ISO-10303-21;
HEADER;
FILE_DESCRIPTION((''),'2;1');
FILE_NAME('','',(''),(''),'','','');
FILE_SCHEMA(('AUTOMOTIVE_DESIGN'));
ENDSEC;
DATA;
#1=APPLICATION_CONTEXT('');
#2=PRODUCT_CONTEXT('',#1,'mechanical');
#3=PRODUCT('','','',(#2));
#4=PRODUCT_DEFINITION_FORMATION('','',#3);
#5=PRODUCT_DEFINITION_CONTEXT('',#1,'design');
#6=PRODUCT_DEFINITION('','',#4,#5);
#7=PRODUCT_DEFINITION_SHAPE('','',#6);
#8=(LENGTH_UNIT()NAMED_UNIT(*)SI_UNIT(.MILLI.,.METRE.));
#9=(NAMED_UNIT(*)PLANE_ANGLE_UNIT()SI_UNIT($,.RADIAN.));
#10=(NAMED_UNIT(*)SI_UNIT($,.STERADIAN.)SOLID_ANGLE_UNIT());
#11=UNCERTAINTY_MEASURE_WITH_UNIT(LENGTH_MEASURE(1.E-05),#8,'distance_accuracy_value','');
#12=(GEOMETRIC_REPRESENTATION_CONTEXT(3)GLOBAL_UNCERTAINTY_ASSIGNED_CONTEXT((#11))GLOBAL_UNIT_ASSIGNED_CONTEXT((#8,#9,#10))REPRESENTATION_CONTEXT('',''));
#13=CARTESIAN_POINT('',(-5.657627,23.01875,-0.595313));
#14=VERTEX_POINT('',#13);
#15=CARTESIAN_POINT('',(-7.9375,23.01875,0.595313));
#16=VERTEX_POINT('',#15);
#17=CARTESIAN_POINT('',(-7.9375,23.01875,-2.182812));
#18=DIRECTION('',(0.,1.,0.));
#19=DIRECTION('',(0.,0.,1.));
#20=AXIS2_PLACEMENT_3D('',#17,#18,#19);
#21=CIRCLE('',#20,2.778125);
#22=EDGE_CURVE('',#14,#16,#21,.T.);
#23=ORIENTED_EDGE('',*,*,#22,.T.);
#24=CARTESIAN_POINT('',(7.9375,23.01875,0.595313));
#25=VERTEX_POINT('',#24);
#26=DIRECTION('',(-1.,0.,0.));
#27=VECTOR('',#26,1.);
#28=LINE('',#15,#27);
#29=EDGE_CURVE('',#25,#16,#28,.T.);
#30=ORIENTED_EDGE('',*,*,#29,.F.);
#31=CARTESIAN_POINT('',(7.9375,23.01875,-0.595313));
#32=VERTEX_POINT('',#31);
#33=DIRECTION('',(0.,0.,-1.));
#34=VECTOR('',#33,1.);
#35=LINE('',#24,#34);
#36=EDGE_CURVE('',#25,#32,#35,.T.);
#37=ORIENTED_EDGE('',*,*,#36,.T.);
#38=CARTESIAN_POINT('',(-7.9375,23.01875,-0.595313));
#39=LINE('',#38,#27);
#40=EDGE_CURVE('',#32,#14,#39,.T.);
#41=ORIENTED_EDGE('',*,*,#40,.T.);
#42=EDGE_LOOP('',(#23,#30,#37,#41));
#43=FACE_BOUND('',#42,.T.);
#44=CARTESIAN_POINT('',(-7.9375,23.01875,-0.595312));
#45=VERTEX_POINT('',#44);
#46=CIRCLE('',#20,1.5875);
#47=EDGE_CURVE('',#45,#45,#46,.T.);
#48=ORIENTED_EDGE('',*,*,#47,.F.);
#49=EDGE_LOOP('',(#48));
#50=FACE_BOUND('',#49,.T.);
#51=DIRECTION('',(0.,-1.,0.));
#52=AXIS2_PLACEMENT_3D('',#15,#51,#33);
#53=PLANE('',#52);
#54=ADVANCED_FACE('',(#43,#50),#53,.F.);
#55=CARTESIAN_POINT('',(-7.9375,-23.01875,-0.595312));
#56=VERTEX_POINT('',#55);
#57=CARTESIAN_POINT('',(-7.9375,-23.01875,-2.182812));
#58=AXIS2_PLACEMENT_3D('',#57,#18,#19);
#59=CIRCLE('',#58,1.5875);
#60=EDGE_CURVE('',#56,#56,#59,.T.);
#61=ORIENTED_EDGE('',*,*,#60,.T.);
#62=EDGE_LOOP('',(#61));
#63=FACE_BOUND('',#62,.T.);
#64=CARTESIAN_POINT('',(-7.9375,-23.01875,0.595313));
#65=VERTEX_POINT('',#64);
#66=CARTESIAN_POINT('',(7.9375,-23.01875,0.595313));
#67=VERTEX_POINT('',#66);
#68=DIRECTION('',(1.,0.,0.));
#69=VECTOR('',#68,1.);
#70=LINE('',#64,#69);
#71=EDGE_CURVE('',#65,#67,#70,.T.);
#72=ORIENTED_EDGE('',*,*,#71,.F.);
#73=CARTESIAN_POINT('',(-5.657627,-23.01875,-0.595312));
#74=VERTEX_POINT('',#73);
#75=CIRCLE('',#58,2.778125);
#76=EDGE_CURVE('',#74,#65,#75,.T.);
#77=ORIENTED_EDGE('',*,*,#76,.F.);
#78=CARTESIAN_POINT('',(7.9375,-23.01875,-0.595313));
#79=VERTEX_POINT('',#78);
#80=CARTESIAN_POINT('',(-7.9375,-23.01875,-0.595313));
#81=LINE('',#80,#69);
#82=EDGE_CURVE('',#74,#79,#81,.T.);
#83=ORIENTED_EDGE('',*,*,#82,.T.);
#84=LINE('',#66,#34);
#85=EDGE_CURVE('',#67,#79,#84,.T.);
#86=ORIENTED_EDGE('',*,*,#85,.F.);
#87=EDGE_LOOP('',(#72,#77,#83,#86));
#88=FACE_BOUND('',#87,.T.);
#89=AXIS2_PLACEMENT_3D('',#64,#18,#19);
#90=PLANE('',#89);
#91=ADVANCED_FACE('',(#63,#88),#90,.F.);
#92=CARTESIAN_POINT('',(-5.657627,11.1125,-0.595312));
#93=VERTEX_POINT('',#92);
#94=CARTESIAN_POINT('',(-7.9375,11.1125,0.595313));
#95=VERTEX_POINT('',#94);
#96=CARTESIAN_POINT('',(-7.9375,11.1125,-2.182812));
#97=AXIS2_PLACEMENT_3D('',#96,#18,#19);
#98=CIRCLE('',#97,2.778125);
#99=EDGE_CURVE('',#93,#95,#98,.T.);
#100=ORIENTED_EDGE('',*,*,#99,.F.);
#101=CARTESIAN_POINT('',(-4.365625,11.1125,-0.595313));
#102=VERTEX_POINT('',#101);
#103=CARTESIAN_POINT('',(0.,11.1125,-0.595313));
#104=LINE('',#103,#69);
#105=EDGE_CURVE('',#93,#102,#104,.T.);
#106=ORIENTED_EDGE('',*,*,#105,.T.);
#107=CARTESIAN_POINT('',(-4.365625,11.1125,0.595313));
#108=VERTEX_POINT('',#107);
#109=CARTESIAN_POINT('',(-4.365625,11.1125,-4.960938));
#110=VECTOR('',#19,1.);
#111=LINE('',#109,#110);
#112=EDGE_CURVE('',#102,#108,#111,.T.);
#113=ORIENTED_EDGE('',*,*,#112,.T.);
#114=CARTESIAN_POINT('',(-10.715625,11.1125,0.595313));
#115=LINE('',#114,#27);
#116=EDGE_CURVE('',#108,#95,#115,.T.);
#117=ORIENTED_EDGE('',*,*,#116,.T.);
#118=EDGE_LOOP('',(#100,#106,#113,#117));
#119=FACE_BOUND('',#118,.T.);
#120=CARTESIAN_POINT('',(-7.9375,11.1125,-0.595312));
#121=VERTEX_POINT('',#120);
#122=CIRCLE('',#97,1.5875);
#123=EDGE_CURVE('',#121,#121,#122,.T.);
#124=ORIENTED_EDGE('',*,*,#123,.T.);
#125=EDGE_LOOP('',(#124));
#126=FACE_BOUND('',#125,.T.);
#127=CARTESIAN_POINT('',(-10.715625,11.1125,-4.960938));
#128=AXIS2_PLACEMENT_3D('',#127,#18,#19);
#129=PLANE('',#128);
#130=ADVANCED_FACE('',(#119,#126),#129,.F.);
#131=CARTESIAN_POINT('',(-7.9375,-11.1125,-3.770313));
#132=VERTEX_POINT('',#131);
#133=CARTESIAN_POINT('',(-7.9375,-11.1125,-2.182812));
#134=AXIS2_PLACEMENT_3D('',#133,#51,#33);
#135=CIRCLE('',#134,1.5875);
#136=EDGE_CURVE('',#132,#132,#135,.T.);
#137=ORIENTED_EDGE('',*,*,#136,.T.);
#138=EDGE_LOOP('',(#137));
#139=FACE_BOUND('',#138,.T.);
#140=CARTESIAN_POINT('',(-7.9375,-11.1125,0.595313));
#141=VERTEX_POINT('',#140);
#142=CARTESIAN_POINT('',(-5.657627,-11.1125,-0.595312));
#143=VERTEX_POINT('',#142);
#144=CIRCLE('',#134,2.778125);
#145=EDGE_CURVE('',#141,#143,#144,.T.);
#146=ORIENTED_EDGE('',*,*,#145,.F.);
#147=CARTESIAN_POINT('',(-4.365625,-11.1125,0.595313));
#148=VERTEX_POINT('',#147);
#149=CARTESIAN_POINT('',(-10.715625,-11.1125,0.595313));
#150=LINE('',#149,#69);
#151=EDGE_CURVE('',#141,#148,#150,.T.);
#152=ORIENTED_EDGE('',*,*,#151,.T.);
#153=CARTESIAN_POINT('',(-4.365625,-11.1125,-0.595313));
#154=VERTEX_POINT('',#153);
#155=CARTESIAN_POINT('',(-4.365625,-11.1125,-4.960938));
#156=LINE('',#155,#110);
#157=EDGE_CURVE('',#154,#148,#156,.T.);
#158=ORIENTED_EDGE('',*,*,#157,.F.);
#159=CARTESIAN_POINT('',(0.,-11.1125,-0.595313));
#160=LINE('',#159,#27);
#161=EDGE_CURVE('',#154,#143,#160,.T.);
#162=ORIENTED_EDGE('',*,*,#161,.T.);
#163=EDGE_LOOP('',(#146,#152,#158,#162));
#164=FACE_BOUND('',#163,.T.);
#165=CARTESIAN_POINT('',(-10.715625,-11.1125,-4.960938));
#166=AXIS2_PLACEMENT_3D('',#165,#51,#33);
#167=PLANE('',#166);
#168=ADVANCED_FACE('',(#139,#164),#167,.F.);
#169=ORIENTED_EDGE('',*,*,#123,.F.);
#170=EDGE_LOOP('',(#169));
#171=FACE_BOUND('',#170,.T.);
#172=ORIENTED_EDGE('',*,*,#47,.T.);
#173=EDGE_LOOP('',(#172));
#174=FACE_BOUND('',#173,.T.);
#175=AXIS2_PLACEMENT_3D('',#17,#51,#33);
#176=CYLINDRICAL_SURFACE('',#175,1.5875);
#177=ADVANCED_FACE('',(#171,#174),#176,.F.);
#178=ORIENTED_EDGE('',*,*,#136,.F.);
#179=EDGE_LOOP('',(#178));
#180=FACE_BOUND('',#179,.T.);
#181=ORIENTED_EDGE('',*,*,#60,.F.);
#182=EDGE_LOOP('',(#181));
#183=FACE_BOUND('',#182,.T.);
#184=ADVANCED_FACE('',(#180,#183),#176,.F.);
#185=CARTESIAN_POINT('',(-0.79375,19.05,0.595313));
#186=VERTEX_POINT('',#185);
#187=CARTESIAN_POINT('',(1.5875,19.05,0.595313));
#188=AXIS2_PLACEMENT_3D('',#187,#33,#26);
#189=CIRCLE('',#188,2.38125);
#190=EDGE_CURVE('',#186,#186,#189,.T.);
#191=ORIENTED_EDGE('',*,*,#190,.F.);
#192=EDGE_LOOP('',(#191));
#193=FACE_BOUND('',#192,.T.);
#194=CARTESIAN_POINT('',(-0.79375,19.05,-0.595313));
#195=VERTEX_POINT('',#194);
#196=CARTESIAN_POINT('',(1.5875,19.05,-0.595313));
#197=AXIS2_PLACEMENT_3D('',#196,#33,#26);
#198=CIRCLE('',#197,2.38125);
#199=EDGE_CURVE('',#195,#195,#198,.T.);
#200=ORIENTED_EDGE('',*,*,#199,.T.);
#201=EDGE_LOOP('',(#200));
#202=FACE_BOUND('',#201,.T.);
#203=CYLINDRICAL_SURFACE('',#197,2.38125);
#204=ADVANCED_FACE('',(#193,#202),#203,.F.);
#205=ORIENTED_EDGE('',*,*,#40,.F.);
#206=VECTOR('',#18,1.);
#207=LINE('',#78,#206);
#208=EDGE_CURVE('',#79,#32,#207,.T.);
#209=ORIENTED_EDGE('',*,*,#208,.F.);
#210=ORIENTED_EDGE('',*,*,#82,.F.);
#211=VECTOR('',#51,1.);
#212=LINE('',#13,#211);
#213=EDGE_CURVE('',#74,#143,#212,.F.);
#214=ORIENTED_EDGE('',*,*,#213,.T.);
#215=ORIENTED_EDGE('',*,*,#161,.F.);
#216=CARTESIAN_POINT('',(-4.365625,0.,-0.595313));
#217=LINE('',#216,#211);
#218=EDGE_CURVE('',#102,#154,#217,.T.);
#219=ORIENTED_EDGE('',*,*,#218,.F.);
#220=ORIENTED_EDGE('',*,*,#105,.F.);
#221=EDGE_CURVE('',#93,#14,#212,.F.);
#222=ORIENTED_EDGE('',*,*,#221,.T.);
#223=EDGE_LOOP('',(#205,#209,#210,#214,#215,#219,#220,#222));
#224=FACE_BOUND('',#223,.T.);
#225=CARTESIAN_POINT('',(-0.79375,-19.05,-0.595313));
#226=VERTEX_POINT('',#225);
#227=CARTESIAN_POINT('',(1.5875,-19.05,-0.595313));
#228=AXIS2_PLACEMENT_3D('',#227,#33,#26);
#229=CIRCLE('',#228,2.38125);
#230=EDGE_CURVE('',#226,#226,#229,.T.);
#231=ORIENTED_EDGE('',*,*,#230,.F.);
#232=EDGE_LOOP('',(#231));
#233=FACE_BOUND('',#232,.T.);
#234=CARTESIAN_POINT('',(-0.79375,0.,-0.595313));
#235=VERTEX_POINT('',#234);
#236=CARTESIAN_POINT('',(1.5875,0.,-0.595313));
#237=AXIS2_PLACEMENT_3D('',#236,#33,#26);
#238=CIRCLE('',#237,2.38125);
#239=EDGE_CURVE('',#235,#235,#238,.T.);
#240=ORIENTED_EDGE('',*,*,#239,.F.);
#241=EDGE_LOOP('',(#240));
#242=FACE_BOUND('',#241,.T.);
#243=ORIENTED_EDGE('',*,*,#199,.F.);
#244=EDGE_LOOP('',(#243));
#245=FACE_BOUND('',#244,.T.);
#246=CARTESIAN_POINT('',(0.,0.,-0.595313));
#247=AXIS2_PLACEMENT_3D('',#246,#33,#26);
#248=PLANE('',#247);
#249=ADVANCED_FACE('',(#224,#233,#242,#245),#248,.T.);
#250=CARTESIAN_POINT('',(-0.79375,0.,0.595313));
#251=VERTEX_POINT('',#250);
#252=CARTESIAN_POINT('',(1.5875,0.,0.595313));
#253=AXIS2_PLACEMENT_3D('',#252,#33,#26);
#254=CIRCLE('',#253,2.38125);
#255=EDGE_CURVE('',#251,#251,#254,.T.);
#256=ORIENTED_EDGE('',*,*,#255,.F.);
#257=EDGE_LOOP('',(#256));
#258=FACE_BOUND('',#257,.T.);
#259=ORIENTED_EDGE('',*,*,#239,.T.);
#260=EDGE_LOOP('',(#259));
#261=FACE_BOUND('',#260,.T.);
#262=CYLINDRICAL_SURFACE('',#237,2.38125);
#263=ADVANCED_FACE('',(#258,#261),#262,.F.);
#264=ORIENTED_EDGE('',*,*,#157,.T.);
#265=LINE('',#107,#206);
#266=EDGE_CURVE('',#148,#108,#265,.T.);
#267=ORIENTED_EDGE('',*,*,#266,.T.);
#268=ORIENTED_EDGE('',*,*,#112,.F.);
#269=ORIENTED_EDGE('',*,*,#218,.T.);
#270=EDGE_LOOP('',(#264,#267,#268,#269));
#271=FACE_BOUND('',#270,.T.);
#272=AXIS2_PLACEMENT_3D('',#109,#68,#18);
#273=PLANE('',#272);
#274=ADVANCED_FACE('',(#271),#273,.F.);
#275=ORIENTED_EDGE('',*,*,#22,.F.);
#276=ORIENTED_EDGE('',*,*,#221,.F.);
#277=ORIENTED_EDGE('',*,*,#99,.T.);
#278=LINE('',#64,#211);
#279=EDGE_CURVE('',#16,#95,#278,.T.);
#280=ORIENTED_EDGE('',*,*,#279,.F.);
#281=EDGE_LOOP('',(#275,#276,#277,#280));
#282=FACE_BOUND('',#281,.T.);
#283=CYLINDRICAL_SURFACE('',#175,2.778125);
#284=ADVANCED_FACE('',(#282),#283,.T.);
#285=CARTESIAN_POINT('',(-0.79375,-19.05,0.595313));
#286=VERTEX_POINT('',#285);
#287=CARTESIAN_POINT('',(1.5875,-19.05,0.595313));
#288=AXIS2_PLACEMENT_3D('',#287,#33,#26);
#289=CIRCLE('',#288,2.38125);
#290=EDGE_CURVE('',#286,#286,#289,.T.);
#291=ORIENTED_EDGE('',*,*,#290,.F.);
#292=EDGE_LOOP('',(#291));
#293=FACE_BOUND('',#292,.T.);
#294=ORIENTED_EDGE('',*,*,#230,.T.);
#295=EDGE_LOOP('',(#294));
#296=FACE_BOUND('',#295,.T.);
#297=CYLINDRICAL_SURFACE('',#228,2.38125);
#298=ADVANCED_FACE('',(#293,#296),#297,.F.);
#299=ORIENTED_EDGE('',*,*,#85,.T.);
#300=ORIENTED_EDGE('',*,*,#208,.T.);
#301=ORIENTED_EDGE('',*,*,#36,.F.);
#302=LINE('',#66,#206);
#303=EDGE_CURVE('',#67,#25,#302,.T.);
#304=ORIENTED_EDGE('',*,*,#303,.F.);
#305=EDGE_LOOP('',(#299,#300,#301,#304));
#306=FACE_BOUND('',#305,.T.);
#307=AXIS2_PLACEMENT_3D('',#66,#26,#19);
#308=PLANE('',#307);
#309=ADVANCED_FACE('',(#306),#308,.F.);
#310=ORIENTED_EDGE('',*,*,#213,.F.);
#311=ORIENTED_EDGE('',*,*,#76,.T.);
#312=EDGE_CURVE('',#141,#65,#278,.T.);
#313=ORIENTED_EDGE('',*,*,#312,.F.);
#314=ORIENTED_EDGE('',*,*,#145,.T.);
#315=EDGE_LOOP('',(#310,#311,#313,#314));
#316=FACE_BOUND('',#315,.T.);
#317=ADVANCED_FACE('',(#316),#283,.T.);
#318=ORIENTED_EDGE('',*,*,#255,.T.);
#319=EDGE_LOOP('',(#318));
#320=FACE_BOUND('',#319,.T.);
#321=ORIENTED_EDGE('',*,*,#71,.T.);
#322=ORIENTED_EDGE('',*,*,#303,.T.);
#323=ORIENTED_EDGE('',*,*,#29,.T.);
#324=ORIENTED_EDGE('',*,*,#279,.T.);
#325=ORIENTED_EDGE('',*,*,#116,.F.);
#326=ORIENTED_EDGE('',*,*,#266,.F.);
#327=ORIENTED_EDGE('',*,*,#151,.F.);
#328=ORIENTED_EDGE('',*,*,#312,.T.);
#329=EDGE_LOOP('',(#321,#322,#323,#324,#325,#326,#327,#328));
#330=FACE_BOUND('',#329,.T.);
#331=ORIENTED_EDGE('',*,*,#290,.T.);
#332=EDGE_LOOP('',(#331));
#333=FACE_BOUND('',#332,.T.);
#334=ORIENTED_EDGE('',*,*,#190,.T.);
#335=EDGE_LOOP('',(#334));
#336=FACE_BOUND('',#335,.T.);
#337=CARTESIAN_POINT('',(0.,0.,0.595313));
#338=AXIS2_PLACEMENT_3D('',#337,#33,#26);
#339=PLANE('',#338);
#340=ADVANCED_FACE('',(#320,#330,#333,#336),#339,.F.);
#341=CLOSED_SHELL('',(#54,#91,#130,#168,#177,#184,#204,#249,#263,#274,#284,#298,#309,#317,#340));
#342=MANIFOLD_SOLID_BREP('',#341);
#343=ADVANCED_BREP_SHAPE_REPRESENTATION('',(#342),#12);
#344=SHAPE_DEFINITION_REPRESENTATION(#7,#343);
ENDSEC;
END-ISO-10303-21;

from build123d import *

# Parameters (mm, degrees)
SKETCH1_W                      = 15.875
SKETCH1_H                      = 46.0375
BOSS_EXTRUDE1_DEPTH            = 0.5953125
SKETCH2_R                      = 2.778125
SKETCH2_R_2                    = 1.5875
BOSS_EXTRUDE2_DEPTH            = 23.01875
CUT_EXTRUDE1_DEPTH             = 26.870801526
CUT_EXTRUDE1_DEPTH_BACK        = 26.870801526
SKETCH3_W                      = 6.35
SKETCH3_H                      = 22.225
F_3_16_0_1875_DIAMETER_HOLE1_D = 4.7625


with BuildPart() as part:
    # Sketch1 → Boss-Extrude1 (new, symmetric)
    with BuildSketch(Plane.XY):
        Rectangle(SKETCH1_W, SKETCH1_H)
    extrude(amount=BOSS_EXTRUDE1_DEPTH, both=True)

    # Sketch2 → Boss-Extrude2 (add, symmetric)
    with BuildSketch(Plane(origin=(0, 0, 0), x_dir=(1, 0, 0), z_dir=(0, 1, 0))):
        with Locations((-7.9375, 2.1828125)):
            Circle(SKETCH2_R)
        with Locations(Location((-7.9375, 2.1828125, 0), (0, 0, 270))):
            Circle(SKETCH2_R_2, mode=Mode.SUBTRACT)
    extrude(amount=BOSS_EXTRUDE2_DEPTH, both=True)

    # Sketch3 → Cut-Extrude1 (cut, two sides: drawn at the far end of the back side and taken through both)
    with BuildSketch(Plane.XY.offset(-CUT_EXTRUDE1_DEPTH_BACK)):
        with Locations((-7.540625, 0)):
            Rectangle(SKETCH3_W, SKETCH3_H)
    extrude(amount=CUT_EXTRUDE1_DEPTH + CUT_EXTRUDE1_DEPTH_BACK, mode=Mode.SUBTRACT)

    # 3/16 (0.1875) Diameter Hole1 (through all)
    with Locations(Plane(origin=(0, 0, -0.5953125), x_dir=(-1, 0, 0), z_dir=(0, 0, -1))):
        with Locations((-1.5875, -19.05), (-1.5875, 0), (-1.5875, 19.05)):
            Hole(F_3_16_0_1875_DIAMETER_HOLE1_D / 2)


solid = part.part
